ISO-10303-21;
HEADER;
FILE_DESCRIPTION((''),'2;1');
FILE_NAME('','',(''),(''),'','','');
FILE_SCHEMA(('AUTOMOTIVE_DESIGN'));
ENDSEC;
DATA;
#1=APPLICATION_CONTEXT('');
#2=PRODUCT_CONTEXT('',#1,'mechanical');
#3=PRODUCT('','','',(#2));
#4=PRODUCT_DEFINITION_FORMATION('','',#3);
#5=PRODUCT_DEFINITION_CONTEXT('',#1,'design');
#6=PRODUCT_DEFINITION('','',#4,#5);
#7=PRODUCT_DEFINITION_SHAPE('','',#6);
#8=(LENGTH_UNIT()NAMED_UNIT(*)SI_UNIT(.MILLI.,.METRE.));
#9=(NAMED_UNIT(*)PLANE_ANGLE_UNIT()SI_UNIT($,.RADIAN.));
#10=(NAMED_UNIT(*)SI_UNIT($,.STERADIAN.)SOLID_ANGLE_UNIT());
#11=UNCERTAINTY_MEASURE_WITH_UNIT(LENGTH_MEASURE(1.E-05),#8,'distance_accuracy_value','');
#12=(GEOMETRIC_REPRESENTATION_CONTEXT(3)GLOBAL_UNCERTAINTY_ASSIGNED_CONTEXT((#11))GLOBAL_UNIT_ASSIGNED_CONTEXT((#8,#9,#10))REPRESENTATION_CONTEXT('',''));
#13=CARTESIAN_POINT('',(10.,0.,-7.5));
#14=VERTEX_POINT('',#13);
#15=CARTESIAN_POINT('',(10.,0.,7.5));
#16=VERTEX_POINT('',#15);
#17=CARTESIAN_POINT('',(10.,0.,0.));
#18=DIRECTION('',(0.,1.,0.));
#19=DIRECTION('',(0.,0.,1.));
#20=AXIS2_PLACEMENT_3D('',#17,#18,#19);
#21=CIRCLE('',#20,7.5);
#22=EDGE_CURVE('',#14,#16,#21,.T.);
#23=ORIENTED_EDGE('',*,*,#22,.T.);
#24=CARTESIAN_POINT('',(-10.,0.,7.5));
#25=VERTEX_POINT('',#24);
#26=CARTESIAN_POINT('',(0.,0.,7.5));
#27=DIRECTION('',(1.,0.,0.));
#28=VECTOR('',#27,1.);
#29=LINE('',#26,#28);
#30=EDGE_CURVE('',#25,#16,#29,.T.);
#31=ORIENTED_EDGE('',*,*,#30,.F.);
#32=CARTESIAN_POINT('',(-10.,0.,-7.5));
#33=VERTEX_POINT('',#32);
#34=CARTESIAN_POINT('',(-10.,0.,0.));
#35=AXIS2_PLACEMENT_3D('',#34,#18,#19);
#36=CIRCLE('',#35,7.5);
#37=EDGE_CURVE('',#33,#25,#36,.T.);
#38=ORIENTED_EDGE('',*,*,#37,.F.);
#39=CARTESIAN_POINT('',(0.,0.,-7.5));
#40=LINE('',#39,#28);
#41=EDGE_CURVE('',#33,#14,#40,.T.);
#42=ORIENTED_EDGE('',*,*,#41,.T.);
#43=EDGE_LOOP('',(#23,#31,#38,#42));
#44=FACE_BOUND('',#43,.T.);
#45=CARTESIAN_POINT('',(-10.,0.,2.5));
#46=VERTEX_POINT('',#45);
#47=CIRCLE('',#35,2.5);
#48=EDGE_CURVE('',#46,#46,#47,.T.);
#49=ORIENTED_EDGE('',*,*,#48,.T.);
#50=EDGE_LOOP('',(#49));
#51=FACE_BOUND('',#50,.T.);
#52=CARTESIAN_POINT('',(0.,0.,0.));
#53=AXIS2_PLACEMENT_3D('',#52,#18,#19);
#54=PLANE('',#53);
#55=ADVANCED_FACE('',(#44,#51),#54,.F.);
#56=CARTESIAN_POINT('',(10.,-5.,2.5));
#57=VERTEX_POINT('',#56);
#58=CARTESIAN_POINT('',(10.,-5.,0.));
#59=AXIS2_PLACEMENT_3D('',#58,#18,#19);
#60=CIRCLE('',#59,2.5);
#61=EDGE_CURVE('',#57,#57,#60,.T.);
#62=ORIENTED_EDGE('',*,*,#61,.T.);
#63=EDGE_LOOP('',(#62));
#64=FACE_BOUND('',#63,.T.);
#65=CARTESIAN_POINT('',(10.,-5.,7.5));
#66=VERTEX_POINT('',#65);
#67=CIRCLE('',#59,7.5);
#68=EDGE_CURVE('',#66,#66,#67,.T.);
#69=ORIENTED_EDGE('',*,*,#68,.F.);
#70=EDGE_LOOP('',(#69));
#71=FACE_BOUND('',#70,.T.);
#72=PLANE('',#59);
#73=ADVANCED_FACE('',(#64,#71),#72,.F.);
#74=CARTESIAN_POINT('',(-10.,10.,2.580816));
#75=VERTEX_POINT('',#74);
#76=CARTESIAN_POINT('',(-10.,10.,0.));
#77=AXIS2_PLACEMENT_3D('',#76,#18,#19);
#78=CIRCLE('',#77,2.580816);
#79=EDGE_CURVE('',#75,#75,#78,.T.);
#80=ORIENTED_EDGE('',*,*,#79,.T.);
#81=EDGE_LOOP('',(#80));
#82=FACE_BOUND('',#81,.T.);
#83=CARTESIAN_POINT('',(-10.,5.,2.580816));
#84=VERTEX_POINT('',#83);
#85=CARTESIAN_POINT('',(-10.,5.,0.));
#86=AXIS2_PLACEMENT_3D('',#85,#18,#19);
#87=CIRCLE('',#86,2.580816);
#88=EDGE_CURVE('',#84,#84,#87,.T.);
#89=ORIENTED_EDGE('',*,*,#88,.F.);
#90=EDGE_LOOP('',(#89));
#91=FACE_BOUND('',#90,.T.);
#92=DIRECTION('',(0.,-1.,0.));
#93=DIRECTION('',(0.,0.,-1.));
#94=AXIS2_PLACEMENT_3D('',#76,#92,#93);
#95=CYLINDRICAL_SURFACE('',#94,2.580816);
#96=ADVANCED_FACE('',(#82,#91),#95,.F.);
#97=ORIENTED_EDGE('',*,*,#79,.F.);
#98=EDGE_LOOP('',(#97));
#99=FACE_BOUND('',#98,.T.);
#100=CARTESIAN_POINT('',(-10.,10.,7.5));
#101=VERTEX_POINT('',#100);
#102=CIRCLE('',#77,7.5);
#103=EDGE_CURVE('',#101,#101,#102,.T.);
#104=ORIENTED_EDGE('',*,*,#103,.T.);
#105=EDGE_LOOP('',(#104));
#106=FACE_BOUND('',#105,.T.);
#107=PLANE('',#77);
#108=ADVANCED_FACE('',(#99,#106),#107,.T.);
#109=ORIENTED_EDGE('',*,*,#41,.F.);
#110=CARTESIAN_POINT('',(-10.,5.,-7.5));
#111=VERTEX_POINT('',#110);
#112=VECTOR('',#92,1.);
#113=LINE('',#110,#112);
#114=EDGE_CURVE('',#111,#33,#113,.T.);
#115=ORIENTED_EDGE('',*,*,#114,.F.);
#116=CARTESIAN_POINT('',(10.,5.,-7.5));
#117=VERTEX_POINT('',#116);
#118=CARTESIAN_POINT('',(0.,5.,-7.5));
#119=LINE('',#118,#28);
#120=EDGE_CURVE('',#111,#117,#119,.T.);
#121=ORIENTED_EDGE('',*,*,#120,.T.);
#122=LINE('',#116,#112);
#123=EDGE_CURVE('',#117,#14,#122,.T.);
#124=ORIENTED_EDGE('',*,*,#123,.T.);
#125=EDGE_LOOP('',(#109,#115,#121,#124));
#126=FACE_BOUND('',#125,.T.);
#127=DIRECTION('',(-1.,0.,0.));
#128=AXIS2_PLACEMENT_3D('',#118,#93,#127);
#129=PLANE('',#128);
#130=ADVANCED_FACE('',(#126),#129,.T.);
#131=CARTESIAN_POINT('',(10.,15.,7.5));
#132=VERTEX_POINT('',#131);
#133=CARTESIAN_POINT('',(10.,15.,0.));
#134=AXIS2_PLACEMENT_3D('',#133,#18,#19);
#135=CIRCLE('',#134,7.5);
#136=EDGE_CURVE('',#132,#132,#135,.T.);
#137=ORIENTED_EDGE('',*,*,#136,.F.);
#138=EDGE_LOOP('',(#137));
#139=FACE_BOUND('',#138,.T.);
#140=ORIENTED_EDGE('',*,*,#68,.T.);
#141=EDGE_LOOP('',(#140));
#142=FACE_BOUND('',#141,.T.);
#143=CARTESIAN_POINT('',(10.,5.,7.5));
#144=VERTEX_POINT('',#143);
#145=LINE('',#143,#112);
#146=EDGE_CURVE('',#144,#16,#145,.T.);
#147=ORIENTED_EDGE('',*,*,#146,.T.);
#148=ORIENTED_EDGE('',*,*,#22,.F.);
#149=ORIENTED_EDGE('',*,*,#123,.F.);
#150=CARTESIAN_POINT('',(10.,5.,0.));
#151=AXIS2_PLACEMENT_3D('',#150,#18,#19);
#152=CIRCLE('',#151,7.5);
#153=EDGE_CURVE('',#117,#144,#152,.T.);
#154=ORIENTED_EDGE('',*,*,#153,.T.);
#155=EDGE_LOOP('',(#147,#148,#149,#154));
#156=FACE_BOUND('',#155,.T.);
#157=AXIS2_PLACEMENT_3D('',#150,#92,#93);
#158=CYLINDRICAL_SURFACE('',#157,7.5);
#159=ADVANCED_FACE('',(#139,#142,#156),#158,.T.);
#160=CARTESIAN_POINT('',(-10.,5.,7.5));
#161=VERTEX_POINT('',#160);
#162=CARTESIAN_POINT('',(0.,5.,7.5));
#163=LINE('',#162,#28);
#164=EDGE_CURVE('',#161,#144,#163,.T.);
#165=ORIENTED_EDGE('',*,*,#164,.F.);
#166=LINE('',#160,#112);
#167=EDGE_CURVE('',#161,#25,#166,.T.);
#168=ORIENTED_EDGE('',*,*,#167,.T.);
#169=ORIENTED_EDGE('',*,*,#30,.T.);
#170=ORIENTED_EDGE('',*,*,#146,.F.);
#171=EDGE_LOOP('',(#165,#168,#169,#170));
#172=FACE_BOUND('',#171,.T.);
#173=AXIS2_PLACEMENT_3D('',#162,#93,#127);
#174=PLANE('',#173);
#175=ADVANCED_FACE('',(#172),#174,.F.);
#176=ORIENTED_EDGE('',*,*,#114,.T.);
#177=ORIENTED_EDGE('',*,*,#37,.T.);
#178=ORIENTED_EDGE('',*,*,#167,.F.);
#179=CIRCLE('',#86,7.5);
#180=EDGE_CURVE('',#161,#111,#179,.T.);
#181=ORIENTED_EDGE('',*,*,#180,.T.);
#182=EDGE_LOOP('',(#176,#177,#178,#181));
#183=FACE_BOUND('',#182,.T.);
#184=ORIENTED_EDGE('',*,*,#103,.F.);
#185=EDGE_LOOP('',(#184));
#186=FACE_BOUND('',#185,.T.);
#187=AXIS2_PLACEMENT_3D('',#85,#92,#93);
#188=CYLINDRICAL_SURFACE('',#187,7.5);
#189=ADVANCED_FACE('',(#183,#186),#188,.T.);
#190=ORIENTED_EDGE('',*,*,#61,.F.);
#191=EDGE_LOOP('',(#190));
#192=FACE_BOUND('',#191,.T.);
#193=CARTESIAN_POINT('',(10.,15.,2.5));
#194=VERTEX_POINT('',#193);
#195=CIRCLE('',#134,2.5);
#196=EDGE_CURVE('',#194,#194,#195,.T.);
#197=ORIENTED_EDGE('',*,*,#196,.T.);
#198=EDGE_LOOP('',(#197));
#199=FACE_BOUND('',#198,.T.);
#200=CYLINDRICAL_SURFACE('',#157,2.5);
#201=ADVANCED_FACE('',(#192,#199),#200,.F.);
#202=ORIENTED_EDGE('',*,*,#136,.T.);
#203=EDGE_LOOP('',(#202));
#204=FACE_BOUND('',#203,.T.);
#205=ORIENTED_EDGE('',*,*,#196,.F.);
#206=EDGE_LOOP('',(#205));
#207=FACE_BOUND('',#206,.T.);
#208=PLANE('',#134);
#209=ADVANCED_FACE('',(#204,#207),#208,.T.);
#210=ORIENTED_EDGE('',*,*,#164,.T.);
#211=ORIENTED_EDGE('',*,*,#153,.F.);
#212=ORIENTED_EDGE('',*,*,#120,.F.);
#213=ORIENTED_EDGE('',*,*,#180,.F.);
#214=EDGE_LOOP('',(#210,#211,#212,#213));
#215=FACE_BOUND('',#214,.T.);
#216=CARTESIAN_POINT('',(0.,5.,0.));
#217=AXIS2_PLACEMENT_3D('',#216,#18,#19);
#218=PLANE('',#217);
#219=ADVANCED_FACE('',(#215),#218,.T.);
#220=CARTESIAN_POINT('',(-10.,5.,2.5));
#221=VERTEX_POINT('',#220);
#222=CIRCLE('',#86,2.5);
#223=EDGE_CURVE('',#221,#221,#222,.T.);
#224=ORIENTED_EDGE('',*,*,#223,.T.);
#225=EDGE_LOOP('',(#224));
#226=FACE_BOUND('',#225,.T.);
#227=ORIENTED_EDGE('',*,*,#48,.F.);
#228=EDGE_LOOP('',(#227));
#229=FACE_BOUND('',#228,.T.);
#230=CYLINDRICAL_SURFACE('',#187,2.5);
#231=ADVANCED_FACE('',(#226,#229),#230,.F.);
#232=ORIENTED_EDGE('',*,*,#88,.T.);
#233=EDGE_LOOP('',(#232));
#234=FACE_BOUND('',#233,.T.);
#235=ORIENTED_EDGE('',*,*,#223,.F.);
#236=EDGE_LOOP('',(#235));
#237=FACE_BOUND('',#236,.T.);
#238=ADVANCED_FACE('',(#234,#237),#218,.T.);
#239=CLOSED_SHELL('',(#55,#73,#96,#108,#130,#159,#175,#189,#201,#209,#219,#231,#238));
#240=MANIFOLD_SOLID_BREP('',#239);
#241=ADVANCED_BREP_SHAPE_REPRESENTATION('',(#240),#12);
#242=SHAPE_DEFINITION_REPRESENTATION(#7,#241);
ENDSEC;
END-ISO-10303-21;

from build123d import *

# Parameters (mm, degrees)
CROQUIS1_R                   = 2.5
SALIENTE_EXTRUIR1_DEPTH      = 5
CROQUIS2_R                   = 7.5
CROQUIS2_R_2                 = 2.58081611
SALIENTE_EXTRUIR2_DEPTH      = 5
SALIENTE_EXTRUIR3_DEPTH      = 10
SALIENTE_EXTRUIR3_DEPTH_BACK = 10
CROQUIS3_R                   = 7.5
CROQUIS3_R_2                 = 2.5


with BuildPart() as part:
    # Croquis1 → Saliente-Extruir1 (new body)
    with BuildSketch(Plane(origin=(0, 0, 0), x_dir=(1, 0, 0), z_dir=(0, 1, 0))):
        with BuildLine():
            ThreePointArc((-10, 7.5), (-17.5, 0), (-10, -7.5))
            Line((-10, -7.5), (10, -7.5))
            ThreePointArc((10, -7.5), (17.5, 0), (10, 7.5))
            Line((10, 7.5), (-10, 7.5))
        make_face()
        with Locations(Location((-10, 0, 0), (0, 0, 270))):
            Circle(CROQUIS1_R, mode=Mode.SUBTRACT)
        with Locations(Location((10, 0, 0), (0, 0, 270))):
            Circle(CROQUIS1_R, mode=Mode.SUBTRACT)
    extrude(amount=SALIENTE_EXTRUIR1_DEPTH)

    # Croquis2 → Saliente-Extruir2 (add)
    with BuildSketch(Plane(origin=(0, 5, 0), x_dir=(1, 0, 0), z_dir=(0, 1, 0))):
        with Locations(Location((-10, 0, 0), (0, 0, 270))):
            Circle(CROQUIS2_R)
        with Locations(Location((-10, 0, 0), (0, 0, 270))):
            Circle(CROQUIS2_R_2, mode=Mode.SUBTRACT)
    extrude(amount=SALIENTE_EXTRUIR2_DEPTH)

    # Croquis3 → Saliente-Extruir3 (add, two sides: drawn at the far end of the back side and taken through both)
    with BuildSketch(Plane(origin=(0, 5, 0), x_dir=(1, 0, 0), z_dir=(0, 1, 0)).offset(-SALIENTE_EXTRUIR3_DEPTH_BACK)):
        with Locations(Location((10, 0, 0), (0, 0, 270))):
            Circle(CROQUIS3_R)
        with Locations(Location((10, 0, 0), (0, 0, 270))):
            Circle(CROQUIS3_R_2, mode=Mode.SUBTRACT)
    extrude(amount=SALIENTE_EXTRUIR3_DEPTH + SALIENTE_EXTRUIR3_DEPTH_BACK)


solid = part.part
